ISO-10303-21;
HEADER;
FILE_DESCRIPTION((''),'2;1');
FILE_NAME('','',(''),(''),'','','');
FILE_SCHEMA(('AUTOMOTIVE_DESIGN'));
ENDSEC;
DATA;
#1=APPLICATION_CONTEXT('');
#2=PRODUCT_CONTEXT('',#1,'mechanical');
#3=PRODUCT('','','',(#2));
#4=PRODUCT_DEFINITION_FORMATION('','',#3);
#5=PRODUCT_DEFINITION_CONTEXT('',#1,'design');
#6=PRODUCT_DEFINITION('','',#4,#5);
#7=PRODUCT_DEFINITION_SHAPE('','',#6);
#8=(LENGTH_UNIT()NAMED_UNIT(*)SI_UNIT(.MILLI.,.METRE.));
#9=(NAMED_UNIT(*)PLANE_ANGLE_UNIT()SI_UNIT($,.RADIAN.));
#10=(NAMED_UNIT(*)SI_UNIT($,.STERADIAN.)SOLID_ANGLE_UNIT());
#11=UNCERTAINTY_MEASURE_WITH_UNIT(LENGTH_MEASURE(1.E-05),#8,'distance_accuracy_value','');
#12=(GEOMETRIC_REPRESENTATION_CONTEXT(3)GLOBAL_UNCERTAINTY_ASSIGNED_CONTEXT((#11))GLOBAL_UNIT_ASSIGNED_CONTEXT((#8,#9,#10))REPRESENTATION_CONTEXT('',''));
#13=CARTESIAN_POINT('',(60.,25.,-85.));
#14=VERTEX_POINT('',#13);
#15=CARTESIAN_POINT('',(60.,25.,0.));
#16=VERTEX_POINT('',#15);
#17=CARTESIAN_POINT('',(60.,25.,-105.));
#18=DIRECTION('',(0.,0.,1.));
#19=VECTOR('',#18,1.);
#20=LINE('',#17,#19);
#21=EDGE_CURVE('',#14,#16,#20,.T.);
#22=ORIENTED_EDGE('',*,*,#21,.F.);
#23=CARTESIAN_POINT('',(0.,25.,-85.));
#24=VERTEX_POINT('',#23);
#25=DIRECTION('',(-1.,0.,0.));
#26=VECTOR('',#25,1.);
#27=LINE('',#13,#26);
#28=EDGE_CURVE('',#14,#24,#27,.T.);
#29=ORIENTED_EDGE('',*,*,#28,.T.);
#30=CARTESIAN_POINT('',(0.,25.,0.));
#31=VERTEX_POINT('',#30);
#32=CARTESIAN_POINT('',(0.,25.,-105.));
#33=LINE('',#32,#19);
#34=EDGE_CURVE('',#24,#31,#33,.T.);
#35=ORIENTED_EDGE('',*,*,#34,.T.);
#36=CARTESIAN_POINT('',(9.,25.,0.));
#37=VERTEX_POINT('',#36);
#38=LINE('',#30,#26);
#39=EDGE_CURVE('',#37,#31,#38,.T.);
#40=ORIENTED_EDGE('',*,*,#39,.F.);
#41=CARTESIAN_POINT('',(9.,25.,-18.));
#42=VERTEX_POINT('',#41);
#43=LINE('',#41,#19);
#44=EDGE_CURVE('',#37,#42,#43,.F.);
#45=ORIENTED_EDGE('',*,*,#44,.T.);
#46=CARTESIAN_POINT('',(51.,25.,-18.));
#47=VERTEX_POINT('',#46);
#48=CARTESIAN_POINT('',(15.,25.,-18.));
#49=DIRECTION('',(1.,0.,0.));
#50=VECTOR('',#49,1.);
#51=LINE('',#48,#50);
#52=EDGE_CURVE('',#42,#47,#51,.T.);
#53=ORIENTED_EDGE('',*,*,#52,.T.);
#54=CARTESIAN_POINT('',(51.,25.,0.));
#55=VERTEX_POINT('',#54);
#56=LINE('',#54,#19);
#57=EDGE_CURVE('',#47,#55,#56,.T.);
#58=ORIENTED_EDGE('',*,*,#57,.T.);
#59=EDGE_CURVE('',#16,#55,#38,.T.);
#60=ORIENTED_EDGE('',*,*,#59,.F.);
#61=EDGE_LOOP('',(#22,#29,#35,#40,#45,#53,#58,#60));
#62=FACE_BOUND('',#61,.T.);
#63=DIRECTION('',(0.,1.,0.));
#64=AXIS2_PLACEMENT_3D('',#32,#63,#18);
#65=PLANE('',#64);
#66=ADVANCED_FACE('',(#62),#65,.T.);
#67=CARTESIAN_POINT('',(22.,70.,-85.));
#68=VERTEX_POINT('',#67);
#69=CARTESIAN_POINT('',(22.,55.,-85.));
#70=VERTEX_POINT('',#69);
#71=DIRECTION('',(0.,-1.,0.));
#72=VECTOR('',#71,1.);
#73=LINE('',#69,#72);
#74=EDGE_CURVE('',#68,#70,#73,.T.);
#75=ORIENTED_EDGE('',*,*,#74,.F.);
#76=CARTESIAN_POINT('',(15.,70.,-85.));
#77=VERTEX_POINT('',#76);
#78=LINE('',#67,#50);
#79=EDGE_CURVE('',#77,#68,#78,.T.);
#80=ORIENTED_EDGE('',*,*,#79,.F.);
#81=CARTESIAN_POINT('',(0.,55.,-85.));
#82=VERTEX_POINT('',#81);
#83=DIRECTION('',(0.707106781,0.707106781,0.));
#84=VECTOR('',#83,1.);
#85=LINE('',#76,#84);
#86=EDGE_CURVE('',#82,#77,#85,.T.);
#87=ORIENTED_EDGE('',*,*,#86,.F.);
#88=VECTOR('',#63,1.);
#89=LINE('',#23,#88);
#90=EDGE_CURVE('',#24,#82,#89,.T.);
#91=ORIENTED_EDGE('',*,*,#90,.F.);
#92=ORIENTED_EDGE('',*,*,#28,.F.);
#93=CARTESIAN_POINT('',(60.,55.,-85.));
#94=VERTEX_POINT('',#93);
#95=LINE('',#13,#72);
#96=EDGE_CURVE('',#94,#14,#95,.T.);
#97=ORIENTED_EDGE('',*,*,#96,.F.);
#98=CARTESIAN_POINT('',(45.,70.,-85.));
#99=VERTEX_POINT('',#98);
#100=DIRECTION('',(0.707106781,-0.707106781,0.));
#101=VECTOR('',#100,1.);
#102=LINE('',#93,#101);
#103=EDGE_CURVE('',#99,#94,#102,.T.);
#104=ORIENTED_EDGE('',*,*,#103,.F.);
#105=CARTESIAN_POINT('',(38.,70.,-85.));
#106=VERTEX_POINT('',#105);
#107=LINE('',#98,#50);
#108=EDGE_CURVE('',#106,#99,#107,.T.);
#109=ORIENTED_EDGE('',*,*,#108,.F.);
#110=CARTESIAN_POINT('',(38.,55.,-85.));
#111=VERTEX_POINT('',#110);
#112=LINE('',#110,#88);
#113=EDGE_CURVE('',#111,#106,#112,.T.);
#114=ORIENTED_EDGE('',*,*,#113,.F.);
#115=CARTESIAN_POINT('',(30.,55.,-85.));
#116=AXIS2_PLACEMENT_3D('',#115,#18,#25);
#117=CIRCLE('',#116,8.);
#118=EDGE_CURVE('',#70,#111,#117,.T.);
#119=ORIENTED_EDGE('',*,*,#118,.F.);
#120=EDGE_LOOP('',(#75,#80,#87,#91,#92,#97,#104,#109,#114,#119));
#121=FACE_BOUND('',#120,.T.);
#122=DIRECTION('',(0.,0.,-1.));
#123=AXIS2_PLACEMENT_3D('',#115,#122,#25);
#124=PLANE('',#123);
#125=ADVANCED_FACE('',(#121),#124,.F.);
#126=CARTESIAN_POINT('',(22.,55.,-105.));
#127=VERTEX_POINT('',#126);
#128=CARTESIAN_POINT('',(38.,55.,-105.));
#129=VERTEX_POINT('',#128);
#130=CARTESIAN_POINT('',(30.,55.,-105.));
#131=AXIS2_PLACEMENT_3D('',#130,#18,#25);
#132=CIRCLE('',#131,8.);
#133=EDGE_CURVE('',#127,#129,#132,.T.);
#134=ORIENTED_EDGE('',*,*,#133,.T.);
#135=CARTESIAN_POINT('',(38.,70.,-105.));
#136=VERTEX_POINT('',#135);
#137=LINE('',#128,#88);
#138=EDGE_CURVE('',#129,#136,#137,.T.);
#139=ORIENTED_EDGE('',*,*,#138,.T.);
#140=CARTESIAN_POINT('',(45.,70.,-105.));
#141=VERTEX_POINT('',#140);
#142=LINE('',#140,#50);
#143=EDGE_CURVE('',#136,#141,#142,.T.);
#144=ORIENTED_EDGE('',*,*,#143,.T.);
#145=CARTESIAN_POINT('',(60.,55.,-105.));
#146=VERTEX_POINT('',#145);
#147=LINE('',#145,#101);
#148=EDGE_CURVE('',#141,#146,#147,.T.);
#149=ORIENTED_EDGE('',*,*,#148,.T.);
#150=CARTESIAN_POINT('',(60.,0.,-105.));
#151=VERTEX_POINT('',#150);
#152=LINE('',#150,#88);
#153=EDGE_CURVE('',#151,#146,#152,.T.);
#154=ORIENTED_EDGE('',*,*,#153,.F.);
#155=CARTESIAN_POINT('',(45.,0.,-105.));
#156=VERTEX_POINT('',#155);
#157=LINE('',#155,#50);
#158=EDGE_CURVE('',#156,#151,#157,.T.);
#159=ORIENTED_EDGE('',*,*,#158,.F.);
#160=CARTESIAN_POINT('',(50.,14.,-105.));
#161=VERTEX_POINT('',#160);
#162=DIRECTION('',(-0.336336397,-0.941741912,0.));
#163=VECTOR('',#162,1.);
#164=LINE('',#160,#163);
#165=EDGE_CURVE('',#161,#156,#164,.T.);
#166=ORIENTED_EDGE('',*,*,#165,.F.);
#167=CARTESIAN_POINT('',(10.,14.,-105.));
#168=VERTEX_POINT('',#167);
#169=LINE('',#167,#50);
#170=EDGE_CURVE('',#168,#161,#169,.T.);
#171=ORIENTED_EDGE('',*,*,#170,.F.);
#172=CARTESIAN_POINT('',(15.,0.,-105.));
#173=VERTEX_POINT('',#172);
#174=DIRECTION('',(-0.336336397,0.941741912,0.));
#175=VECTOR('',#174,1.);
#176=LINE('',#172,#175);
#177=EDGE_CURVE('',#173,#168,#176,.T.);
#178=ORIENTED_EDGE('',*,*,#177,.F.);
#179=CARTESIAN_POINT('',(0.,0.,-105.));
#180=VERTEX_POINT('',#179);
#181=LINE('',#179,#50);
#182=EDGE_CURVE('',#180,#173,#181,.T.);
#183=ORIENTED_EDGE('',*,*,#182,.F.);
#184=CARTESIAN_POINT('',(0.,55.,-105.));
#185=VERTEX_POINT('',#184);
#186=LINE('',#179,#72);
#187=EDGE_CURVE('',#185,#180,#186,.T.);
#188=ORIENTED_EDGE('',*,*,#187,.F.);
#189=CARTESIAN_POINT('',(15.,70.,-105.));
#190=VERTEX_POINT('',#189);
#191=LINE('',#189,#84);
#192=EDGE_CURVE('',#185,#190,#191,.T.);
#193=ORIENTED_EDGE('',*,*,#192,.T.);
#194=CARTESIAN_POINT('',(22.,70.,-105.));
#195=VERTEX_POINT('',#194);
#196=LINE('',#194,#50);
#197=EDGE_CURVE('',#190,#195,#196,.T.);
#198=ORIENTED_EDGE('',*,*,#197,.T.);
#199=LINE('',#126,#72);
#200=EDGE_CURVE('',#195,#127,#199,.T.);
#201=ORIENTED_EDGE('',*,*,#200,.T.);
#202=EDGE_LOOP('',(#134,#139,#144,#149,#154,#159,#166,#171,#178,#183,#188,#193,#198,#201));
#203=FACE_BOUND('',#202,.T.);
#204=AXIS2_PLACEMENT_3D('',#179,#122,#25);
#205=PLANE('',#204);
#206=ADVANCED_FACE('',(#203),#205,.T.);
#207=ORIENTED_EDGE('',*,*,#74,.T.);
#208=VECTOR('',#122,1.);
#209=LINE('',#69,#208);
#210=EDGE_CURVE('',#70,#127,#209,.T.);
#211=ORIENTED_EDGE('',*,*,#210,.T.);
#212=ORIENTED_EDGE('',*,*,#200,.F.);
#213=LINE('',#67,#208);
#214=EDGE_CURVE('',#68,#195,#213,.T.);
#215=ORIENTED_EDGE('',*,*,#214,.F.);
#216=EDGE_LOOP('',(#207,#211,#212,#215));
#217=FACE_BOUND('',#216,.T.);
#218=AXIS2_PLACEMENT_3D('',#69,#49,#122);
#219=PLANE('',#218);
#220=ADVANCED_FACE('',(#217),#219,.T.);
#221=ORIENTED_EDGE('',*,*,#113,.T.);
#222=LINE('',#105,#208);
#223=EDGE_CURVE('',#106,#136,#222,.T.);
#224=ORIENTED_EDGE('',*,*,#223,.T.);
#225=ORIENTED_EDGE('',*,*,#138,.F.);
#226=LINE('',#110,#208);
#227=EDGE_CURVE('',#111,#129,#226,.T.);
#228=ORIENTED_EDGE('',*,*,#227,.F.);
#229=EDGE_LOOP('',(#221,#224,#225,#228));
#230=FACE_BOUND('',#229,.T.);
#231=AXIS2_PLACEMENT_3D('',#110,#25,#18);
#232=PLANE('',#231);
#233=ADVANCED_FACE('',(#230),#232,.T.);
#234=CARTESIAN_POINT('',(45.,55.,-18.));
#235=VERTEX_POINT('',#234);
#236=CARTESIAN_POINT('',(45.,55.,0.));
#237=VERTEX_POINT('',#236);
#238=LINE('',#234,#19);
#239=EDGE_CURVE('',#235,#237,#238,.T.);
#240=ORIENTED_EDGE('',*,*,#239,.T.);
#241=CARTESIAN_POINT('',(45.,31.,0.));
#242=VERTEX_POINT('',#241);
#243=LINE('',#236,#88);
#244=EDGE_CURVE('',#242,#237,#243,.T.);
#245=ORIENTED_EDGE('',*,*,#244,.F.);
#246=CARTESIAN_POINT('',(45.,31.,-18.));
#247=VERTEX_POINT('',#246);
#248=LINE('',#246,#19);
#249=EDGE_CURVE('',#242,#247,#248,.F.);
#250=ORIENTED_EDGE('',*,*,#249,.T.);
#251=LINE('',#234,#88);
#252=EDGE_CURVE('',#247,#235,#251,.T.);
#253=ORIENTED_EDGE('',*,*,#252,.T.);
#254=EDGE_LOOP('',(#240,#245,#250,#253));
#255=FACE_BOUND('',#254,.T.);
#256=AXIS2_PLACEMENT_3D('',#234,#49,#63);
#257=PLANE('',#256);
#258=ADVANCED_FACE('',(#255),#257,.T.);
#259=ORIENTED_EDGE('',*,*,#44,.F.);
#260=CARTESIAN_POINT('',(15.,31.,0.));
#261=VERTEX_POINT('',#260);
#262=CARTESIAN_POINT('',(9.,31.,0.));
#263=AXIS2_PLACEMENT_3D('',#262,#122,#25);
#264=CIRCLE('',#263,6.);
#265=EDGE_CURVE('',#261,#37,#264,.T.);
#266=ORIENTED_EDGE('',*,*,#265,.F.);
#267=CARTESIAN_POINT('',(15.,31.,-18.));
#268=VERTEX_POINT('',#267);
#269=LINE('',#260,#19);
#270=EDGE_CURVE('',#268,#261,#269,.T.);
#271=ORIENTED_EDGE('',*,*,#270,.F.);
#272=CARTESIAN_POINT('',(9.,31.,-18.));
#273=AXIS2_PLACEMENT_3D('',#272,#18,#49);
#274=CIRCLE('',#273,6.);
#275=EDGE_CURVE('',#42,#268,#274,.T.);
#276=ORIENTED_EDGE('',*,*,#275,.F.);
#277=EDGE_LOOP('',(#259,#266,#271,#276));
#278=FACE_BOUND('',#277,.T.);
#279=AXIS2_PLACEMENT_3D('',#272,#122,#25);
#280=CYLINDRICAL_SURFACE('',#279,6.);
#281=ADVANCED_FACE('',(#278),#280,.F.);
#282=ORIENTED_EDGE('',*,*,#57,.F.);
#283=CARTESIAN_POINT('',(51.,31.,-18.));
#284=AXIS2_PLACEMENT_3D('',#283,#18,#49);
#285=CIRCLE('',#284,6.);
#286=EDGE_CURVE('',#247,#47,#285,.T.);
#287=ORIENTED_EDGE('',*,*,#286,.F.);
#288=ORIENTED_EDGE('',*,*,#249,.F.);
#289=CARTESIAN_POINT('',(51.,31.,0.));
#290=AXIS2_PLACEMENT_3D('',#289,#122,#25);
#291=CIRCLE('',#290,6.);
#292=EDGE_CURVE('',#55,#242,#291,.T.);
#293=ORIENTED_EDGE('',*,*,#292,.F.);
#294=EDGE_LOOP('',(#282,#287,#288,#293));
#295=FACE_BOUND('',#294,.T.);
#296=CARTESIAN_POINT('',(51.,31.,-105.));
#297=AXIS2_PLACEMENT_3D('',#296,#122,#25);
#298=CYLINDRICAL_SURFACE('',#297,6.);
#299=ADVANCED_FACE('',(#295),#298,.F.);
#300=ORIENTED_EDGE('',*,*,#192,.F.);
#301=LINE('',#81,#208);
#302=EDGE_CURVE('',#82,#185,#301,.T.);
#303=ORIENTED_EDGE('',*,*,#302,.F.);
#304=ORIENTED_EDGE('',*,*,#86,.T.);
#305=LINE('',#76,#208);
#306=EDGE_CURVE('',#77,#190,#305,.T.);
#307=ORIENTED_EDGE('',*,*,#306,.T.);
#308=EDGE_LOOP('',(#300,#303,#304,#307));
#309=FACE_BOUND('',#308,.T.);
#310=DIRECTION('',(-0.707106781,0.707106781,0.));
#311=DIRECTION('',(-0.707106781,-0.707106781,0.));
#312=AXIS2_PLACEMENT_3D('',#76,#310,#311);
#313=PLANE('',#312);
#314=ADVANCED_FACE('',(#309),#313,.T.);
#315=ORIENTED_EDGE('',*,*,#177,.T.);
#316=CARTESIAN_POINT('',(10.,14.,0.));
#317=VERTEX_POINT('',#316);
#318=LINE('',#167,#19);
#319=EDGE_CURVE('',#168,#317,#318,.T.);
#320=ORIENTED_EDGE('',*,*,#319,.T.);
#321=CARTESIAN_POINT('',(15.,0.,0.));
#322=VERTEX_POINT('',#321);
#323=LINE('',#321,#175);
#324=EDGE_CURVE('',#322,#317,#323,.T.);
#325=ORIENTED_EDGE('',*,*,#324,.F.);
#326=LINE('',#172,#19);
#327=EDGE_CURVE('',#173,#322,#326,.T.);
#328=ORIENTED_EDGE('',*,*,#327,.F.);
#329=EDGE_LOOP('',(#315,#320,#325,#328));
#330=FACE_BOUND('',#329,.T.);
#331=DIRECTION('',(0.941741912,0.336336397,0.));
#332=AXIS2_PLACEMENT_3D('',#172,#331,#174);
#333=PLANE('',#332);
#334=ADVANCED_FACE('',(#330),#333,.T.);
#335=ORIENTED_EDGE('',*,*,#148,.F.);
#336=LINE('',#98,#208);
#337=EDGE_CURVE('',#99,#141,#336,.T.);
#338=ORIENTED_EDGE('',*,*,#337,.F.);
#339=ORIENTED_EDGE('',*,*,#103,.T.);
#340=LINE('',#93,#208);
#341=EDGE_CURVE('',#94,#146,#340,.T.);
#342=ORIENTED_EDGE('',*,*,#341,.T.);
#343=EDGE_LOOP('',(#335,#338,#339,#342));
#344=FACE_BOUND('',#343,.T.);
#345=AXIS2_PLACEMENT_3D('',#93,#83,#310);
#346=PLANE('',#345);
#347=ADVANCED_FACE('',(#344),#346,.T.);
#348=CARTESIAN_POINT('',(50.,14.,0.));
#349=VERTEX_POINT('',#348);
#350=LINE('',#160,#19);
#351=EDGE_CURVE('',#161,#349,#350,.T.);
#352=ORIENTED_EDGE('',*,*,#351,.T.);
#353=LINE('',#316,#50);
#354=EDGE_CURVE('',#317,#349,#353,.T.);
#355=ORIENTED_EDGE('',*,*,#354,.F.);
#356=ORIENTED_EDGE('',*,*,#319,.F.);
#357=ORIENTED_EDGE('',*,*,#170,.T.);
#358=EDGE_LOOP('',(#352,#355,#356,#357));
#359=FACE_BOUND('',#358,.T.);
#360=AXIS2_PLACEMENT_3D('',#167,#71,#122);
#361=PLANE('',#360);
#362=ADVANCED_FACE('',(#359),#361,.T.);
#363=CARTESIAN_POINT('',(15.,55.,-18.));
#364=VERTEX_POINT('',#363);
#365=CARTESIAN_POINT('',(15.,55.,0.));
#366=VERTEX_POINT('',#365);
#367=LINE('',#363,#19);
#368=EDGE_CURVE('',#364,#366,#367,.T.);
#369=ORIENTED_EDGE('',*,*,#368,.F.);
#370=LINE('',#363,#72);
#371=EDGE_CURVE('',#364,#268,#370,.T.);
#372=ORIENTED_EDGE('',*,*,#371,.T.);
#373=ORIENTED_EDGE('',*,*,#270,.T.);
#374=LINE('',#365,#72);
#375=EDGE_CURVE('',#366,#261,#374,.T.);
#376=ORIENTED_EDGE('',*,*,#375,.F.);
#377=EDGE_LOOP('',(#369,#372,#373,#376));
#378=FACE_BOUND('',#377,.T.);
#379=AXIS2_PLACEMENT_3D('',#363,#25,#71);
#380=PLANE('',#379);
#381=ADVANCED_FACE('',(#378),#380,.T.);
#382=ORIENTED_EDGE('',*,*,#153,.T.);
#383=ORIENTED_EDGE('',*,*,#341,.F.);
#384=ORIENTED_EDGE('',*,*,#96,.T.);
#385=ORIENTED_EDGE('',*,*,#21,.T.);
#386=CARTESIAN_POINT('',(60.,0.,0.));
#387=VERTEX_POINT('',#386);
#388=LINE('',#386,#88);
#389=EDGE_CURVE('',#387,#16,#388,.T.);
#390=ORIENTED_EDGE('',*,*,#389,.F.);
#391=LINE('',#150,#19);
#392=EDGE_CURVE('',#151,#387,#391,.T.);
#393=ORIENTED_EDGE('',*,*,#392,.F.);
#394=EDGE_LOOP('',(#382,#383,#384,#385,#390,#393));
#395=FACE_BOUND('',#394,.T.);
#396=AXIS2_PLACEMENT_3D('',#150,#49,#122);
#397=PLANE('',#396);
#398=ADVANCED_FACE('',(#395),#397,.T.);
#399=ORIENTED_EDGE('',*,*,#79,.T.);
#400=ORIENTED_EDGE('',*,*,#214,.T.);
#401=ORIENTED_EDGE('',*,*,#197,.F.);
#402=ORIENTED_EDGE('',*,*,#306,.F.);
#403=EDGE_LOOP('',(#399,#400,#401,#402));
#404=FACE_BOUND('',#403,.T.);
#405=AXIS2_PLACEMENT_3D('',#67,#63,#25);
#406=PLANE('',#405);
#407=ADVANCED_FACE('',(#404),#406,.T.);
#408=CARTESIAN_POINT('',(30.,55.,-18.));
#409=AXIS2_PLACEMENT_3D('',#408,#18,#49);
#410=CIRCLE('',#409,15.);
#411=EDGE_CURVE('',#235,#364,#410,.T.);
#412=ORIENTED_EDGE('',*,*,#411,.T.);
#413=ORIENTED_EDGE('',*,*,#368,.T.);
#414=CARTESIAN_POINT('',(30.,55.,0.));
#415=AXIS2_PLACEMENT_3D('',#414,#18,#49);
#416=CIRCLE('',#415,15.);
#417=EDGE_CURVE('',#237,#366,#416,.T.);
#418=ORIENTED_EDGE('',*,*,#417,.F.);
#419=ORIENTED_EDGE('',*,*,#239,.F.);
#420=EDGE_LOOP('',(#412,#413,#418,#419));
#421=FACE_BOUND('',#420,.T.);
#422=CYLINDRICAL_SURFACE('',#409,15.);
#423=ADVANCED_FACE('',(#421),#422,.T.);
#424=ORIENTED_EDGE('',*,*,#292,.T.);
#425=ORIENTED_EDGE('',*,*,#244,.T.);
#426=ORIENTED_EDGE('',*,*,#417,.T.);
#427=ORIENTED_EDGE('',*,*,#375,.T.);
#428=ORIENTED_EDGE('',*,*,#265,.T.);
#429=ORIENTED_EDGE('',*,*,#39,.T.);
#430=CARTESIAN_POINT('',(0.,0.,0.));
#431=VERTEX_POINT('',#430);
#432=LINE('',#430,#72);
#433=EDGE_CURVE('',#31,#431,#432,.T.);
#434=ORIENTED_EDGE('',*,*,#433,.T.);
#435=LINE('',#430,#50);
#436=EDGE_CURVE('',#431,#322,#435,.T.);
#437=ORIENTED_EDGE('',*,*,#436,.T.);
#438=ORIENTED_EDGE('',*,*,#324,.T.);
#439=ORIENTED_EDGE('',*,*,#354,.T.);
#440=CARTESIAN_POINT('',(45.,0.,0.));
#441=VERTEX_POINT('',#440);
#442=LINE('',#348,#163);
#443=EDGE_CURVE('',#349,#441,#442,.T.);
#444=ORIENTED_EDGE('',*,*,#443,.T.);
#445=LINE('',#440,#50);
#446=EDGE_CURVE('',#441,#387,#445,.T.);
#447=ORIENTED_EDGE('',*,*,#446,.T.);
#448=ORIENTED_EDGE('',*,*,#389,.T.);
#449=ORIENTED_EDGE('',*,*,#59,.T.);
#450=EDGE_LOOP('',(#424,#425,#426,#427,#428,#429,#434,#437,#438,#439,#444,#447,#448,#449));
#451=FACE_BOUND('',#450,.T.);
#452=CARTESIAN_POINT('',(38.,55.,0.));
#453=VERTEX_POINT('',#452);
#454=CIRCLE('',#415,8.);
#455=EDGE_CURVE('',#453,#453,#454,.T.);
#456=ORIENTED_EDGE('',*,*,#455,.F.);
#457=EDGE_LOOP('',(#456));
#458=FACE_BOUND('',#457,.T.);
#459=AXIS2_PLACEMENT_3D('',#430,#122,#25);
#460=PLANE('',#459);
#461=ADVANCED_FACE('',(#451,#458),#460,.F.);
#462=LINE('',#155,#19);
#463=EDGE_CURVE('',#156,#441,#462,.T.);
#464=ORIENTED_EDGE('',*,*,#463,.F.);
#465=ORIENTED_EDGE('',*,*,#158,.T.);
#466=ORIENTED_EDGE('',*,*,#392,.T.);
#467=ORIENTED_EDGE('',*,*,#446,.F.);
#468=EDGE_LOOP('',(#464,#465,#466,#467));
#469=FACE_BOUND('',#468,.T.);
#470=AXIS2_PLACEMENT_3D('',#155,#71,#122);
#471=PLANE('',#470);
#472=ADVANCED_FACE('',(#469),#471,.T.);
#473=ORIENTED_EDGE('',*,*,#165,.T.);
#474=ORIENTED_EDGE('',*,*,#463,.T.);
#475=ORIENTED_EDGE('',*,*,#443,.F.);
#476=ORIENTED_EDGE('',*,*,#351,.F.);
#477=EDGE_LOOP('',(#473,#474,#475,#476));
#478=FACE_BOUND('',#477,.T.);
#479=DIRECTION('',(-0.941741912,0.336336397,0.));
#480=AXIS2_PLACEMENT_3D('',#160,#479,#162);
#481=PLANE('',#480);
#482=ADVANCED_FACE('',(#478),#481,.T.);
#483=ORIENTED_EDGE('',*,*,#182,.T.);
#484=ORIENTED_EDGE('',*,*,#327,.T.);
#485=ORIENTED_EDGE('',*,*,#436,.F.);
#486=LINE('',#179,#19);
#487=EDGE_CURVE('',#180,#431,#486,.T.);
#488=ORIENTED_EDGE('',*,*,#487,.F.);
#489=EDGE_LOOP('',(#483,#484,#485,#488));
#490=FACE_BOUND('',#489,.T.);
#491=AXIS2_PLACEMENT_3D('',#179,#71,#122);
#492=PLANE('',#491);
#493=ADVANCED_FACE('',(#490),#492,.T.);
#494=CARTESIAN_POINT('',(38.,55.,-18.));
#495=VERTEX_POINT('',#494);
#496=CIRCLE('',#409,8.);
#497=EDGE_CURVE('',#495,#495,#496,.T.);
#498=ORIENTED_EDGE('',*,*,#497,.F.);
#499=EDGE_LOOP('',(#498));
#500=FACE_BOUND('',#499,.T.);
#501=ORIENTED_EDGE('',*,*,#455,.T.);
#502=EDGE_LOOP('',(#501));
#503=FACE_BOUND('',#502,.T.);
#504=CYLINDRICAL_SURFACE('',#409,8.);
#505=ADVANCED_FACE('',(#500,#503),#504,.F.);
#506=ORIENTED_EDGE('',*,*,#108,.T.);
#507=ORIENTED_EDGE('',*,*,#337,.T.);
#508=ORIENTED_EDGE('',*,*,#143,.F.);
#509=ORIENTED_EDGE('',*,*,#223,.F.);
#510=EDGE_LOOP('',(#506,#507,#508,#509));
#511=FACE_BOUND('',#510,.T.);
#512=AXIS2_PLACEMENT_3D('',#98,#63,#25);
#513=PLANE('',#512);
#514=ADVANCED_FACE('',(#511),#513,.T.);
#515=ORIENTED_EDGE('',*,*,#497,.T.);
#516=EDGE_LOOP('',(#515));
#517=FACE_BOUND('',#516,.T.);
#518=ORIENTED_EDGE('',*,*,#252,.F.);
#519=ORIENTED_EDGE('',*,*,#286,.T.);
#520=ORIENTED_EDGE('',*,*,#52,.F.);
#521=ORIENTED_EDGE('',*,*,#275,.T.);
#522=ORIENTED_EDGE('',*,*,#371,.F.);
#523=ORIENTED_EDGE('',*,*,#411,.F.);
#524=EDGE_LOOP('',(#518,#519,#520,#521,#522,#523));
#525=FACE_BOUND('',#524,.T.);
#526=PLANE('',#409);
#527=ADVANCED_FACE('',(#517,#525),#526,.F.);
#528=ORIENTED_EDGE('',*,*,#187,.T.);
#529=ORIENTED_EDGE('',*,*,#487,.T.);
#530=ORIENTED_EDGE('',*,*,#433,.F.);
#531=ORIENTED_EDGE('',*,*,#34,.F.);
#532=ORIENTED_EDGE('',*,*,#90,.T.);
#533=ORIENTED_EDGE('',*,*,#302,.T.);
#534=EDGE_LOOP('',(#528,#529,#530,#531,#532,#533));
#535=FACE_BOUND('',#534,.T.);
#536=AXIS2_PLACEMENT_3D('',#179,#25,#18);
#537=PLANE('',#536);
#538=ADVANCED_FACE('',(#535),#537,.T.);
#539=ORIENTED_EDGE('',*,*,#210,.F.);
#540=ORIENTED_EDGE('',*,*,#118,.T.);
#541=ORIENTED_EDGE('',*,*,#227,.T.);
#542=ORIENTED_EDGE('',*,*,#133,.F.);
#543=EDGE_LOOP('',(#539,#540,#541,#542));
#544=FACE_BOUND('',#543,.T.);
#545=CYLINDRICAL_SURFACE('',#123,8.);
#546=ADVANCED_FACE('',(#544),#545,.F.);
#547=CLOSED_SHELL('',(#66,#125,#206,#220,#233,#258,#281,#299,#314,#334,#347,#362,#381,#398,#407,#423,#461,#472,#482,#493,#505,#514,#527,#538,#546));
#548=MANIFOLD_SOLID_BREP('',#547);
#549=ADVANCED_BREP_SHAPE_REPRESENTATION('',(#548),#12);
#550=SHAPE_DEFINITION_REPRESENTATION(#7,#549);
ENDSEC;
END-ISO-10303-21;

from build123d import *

# Parameters (mm, degrees)
BOSS_EXTRUDE1_DEPTH = 105
SKETCH2_R           = 8
BOSS_EXTRUDE2_DEPTH = 18
FILLET1_R           = 6
BOSS_EXTRUDE3_START = -20
BOSS_EXTRUDE3_DEPTH = 20


with BuildPart() as part:
    # Sketch1 → Boss-Extrude1 (new body)
    with BuildSketch(Plane.XY):
        Polygon((45, 0), (60, 0), (60, 25), (0, 25), (0, 0), (15, 0), (10, 14), (50, 14), align=None)
    extrude(amount=-BOSS_EXTRUDE1_DEPTH)

    # Sketch2 → Boss-Extrude2 (add)
    with BuildSketch(Plane.XY):
        with BuildLine():
            Line((15, 55), (15, 25))
            Line((15, 25), (45, 25))
            Line((45, 25), (45, 55))
            ThreePointArc((45, 55), (30, 70), (15, 55))
        make_face()
        with Locations((30, 55)):
            Circle(SKETCH2_R, mode=Mode.SUBTRACT)
    extrude(amount=-BOSS_EXTRUDE2_DEPTH)

    # Fillet1
    fillet1_edges = [part.edges().sort_by_distance(p)[0] for p in [
        (45, 25, -9),
        (15, 25, -9),
    ]]
    fillet(fillet1_edges, radius=FILLET1_R)

    # Sketch3 → Boss-Extrude3 (add)
    with BuildSketch(Plane(origin=(0, 0, -105), x_dir=(-1, 0, 0), z_dir=(0, 0, -1)).offset(BOSS_EXTRUDE3_START)):
        with BuildLine():
            Line((-60, 55), (-45, 70))
            Line((-45, 70), (-38, 70))
            Line((-38, 70), (-38, 55))
            ThreePointArc((-38, 55), (-30, 47), (-22, 55))
            Line((-22, 55), (-22, 70))
            Line((-22, 70), (-15, 70))
            Line((-15, 70), (0, 55))
            Line((0, 55), (0, 25))
            Line((0, 25), (-60, 25))
            Line((-60, 25), (-60, 55))
        make_face()
    extrude(amount=BOSS_EXTRUDE3_DEPTH)


solid = part.part
